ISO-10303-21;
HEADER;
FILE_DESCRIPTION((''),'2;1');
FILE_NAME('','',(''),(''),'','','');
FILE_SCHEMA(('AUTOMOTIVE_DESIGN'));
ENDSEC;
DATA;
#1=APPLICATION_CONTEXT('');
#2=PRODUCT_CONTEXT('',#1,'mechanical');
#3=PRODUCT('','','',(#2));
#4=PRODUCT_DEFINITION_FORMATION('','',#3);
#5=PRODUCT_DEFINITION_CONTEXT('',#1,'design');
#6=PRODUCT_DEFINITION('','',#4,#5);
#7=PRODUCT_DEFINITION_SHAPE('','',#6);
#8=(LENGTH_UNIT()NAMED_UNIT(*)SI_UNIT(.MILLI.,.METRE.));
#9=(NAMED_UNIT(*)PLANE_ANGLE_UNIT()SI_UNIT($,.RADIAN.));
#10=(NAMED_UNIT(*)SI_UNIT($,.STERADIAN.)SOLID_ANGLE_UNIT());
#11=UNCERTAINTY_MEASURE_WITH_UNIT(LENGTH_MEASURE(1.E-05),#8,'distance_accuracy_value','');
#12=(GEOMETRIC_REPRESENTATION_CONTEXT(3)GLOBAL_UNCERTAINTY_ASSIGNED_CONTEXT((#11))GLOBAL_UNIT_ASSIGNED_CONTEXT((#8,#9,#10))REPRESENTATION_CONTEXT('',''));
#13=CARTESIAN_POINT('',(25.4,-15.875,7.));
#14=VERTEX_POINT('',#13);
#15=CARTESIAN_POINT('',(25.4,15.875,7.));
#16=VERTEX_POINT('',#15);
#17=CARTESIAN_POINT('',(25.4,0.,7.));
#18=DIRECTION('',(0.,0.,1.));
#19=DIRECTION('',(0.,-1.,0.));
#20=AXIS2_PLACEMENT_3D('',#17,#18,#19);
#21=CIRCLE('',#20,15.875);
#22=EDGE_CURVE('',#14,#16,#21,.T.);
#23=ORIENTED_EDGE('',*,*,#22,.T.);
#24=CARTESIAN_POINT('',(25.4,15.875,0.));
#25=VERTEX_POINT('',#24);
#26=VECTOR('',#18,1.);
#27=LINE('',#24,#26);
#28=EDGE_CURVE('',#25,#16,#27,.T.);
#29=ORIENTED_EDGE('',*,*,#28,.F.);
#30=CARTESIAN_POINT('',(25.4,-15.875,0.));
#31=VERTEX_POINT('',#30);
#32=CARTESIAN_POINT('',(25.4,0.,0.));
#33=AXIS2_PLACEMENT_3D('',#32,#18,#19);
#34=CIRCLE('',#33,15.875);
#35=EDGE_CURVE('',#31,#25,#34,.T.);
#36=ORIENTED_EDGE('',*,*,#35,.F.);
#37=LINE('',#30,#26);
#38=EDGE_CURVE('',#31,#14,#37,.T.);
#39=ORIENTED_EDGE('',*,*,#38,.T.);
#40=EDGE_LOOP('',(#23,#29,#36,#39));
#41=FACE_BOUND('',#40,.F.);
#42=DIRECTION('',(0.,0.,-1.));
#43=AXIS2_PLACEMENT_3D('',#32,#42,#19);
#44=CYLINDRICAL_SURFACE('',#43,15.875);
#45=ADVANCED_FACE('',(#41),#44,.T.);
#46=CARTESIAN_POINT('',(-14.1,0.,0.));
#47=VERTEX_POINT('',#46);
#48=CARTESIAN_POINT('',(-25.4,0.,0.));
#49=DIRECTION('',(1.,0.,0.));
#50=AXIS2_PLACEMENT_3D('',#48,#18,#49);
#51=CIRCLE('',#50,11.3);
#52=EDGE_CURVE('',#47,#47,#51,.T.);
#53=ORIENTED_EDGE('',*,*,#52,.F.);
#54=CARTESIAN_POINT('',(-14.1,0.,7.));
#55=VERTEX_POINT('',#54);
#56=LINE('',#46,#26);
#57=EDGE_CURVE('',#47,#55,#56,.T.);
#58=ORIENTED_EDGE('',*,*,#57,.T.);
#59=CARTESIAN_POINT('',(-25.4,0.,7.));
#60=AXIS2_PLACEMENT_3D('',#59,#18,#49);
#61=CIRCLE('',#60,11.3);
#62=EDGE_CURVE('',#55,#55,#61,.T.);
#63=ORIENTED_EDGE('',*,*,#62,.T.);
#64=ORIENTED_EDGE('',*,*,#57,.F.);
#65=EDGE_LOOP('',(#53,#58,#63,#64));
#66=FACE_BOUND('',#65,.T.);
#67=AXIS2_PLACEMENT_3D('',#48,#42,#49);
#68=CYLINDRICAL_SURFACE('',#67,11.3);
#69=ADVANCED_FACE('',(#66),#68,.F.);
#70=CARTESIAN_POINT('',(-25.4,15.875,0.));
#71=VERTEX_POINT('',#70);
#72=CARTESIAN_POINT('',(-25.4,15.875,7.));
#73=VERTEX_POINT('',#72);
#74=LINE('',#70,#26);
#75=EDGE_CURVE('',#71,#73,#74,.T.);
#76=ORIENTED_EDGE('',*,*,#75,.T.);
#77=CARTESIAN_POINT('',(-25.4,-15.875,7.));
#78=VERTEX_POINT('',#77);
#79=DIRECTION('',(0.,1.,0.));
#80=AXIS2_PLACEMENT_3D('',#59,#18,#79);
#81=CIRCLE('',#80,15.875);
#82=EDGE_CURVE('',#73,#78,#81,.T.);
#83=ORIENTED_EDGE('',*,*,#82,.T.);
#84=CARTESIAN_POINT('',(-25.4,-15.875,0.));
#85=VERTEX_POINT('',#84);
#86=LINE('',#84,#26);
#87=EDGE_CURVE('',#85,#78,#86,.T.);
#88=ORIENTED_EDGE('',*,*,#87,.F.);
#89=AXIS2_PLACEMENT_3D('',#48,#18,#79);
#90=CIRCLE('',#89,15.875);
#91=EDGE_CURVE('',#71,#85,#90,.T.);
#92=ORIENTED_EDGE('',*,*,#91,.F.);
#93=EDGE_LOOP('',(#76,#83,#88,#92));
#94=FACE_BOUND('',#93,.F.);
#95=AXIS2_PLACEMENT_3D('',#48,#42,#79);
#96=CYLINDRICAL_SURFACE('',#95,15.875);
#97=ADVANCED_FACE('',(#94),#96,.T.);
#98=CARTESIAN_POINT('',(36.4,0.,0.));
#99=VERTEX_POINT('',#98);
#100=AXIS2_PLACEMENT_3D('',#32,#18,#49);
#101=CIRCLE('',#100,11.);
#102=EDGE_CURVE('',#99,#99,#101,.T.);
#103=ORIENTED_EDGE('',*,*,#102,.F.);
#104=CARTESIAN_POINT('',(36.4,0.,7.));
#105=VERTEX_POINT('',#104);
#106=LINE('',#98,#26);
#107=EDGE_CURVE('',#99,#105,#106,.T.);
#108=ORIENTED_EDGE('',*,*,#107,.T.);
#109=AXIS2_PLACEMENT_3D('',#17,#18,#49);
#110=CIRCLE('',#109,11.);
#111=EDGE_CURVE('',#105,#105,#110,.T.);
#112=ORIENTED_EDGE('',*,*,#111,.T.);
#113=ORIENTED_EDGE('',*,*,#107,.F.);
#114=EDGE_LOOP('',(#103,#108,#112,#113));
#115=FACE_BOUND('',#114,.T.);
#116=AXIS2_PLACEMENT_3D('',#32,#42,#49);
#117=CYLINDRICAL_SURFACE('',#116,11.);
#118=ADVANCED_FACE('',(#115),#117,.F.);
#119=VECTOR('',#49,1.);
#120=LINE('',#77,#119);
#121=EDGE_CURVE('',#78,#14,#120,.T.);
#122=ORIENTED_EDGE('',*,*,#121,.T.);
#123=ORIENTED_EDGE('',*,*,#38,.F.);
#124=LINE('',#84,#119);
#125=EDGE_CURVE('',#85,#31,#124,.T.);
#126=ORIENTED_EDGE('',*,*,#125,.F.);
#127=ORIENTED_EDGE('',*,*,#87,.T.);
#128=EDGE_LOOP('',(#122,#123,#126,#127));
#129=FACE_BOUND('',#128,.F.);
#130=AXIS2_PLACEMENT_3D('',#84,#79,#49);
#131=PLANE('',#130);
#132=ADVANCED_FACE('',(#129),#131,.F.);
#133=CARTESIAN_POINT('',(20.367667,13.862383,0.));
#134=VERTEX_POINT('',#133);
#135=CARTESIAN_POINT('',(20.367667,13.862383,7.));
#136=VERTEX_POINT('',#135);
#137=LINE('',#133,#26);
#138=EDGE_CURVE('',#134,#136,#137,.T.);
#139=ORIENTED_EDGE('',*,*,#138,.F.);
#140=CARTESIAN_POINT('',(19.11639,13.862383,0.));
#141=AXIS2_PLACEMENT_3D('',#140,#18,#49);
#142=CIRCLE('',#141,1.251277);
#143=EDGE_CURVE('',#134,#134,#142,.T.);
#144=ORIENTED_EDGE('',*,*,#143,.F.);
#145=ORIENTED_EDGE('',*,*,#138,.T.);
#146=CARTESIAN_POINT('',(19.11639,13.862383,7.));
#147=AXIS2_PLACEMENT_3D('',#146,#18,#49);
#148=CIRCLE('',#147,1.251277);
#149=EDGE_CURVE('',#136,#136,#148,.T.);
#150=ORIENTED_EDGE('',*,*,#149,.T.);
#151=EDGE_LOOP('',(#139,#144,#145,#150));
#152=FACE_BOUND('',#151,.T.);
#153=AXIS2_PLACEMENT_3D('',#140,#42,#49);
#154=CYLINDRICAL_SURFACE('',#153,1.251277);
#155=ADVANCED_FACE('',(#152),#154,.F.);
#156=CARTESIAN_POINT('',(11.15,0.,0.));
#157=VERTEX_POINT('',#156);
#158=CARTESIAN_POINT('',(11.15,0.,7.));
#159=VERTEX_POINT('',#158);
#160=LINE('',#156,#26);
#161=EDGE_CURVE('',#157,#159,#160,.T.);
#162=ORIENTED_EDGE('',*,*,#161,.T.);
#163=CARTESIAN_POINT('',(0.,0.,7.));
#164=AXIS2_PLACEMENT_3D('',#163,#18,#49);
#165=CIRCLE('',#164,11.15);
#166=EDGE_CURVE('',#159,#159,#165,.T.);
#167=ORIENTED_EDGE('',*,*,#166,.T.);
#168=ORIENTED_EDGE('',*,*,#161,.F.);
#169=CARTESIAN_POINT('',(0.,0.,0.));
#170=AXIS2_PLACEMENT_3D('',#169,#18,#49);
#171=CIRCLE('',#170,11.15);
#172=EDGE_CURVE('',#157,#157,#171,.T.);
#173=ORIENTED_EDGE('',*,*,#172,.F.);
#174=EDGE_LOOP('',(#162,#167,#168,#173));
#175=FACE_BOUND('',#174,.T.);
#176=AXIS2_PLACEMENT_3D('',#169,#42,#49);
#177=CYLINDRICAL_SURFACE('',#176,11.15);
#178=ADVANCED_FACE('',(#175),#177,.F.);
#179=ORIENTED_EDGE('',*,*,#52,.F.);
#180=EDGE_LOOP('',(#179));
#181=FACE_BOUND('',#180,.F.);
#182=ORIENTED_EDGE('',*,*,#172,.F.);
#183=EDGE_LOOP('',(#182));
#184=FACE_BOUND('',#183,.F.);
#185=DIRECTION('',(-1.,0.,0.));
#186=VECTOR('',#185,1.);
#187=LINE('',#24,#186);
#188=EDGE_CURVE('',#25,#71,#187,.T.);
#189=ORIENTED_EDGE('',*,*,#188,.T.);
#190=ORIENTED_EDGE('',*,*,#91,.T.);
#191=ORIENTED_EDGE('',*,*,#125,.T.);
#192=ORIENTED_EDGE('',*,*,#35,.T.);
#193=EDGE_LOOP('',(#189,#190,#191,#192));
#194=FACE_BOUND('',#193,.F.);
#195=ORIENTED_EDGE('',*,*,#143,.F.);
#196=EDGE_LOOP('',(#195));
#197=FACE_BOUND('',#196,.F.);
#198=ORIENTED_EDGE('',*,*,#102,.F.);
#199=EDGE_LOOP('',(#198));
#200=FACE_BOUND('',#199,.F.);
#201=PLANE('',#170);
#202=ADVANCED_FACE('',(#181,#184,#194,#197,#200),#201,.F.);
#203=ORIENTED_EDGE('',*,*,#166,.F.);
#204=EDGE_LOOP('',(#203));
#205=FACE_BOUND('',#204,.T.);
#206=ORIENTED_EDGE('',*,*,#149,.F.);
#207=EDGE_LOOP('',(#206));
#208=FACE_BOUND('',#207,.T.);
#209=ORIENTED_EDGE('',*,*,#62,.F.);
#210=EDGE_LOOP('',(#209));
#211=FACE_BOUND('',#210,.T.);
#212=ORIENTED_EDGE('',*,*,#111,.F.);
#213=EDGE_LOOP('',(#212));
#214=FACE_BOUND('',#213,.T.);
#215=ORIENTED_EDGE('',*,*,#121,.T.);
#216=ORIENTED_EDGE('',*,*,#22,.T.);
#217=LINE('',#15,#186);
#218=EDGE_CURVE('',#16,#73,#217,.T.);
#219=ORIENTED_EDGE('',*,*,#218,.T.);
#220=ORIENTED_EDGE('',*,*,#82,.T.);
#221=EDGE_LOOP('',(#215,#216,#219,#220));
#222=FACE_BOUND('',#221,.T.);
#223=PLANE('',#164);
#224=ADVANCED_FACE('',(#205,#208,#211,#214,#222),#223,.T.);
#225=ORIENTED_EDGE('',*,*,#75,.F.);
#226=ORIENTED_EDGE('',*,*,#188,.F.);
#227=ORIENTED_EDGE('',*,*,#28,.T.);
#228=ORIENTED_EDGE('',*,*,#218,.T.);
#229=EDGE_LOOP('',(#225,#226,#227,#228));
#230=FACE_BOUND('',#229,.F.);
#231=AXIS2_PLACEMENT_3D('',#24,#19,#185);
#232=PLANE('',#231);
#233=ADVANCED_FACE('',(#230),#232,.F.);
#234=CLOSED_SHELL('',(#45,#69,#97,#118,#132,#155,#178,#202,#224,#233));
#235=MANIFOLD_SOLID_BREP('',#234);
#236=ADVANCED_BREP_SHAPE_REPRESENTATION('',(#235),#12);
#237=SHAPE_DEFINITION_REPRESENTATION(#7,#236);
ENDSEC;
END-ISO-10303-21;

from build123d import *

# Parameters (mm, degrees)
F0_R     = 11.3
F0_R_2   = 11.15
F0_R_3   = 11
F0_R_4   = 1.251277
F1_DEPTH = 7


with BuildPart() as f1:
    # F0 (on Top) → F1 (new body)
    with BuildSketch(Plane.XY):
        with BuildLine():
            Line((25.4, 15.875), (-25.4, 15.875))
            ThreePointArc((-25.4, 15.875), (-41.275, 0), (-25.4, -15.875))
            Line((-25.4, -15.875), (25.4, -15.875))
            ThreePointArc((25.4, -15.875), (41.275, 0), (25.4, 15.875))
        make_face()
        with Locations((-25.4, 0)):
            Circle(F0_R, mode=Mode.SUBTRACT)
        Circle(F0_R_2, mode=Mode.SUBTRACT)
        with Locations((25.4, 0)):
            Circle(F0_R_3, mode=Mode.SUBTRACT)
        with Locations((19.11639, 13.862383)):
            Circle(F0_R_4, mode=Mode.SUBTRACT)
    extrude(amount=F1_DEPTH)


solid = f1.part
